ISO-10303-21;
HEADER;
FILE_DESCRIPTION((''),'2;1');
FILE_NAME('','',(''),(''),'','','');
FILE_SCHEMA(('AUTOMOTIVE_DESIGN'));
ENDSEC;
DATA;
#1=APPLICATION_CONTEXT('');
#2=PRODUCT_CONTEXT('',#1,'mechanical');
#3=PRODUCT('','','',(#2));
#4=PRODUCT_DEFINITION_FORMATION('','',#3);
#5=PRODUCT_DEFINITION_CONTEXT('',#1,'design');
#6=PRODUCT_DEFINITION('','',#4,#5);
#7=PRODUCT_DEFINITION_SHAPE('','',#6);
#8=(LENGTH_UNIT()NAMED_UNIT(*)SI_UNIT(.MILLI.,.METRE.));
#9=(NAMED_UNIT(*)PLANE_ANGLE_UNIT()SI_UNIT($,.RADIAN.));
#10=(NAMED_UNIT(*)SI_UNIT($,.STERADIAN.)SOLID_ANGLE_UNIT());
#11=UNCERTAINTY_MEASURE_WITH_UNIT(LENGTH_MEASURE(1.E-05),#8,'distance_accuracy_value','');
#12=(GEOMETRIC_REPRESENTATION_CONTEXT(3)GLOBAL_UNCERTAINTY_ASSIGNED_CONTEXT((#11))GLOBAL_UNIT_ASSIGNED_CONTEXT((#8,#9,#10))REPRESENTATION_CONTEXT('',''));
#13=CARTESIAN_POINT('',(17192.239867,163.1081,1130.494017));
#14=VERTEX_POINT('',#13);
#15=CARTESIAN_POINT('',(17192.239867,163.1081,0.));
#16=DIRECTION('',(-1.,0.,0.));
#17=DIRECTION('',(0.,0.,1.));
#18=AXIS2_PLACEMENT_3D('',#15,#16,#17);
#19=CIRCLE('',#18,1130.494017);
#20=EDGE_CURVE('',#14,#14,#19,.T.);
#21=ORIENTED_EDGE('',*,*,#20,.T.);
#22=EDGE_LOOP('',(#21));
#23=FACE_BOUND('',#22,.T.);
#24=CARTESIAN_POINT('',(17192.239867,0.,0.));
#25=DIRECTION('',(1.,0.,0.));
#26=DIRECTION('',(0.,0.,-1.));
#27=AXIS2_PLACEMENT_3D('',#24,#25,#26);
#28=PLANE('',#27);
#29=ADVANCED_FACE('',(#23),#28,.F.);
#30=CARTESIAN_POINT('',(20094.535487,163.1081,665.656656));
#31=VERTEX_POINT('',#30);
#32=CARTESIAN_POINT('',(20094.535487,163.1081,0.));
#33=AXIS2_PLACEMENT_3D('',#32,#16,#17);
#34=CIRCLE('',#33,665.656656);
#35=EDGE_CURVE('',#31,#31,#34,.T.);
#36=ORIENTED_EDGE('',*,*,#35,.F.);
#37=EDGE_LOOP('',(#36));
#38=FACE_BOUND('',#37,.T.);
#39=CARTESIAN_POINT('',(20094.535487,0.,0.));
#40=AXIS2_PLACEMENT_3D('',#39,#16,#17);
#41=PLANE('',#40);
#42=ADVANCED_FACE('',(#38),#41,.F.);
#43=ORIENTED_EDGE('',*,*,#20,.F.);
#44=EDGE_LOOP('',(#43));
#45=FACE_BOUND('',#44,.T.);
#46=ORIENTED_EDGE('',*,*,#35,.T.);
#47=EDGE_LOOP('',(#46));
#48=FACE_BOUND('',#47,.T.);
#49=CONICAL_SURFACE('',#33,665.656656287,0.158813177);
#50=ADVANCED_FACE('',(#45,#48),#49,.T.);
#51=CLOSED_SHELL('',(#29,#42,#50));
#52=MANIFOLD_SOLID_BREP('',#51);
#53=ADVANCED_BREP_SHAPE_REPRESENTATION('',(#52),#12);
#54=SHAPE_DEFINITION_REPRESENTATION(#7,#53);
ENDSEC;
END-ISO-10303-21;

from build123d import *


with BuildPart() as part:
    # Sketch1 → Revolve1 (revolve)
    with BuildSketch(Plane.XY):
        Polygon((20094.535486919, 828.764756447), (17192.239866631, 1293.602117177), (17192.239866631, 163.10810016), (20094.535486919, 163.10810016), align=None)
    revolve(axis=Axis((17192.239866631, 163.10810016, 0), (1, 0, 0)))


solid = part.part
